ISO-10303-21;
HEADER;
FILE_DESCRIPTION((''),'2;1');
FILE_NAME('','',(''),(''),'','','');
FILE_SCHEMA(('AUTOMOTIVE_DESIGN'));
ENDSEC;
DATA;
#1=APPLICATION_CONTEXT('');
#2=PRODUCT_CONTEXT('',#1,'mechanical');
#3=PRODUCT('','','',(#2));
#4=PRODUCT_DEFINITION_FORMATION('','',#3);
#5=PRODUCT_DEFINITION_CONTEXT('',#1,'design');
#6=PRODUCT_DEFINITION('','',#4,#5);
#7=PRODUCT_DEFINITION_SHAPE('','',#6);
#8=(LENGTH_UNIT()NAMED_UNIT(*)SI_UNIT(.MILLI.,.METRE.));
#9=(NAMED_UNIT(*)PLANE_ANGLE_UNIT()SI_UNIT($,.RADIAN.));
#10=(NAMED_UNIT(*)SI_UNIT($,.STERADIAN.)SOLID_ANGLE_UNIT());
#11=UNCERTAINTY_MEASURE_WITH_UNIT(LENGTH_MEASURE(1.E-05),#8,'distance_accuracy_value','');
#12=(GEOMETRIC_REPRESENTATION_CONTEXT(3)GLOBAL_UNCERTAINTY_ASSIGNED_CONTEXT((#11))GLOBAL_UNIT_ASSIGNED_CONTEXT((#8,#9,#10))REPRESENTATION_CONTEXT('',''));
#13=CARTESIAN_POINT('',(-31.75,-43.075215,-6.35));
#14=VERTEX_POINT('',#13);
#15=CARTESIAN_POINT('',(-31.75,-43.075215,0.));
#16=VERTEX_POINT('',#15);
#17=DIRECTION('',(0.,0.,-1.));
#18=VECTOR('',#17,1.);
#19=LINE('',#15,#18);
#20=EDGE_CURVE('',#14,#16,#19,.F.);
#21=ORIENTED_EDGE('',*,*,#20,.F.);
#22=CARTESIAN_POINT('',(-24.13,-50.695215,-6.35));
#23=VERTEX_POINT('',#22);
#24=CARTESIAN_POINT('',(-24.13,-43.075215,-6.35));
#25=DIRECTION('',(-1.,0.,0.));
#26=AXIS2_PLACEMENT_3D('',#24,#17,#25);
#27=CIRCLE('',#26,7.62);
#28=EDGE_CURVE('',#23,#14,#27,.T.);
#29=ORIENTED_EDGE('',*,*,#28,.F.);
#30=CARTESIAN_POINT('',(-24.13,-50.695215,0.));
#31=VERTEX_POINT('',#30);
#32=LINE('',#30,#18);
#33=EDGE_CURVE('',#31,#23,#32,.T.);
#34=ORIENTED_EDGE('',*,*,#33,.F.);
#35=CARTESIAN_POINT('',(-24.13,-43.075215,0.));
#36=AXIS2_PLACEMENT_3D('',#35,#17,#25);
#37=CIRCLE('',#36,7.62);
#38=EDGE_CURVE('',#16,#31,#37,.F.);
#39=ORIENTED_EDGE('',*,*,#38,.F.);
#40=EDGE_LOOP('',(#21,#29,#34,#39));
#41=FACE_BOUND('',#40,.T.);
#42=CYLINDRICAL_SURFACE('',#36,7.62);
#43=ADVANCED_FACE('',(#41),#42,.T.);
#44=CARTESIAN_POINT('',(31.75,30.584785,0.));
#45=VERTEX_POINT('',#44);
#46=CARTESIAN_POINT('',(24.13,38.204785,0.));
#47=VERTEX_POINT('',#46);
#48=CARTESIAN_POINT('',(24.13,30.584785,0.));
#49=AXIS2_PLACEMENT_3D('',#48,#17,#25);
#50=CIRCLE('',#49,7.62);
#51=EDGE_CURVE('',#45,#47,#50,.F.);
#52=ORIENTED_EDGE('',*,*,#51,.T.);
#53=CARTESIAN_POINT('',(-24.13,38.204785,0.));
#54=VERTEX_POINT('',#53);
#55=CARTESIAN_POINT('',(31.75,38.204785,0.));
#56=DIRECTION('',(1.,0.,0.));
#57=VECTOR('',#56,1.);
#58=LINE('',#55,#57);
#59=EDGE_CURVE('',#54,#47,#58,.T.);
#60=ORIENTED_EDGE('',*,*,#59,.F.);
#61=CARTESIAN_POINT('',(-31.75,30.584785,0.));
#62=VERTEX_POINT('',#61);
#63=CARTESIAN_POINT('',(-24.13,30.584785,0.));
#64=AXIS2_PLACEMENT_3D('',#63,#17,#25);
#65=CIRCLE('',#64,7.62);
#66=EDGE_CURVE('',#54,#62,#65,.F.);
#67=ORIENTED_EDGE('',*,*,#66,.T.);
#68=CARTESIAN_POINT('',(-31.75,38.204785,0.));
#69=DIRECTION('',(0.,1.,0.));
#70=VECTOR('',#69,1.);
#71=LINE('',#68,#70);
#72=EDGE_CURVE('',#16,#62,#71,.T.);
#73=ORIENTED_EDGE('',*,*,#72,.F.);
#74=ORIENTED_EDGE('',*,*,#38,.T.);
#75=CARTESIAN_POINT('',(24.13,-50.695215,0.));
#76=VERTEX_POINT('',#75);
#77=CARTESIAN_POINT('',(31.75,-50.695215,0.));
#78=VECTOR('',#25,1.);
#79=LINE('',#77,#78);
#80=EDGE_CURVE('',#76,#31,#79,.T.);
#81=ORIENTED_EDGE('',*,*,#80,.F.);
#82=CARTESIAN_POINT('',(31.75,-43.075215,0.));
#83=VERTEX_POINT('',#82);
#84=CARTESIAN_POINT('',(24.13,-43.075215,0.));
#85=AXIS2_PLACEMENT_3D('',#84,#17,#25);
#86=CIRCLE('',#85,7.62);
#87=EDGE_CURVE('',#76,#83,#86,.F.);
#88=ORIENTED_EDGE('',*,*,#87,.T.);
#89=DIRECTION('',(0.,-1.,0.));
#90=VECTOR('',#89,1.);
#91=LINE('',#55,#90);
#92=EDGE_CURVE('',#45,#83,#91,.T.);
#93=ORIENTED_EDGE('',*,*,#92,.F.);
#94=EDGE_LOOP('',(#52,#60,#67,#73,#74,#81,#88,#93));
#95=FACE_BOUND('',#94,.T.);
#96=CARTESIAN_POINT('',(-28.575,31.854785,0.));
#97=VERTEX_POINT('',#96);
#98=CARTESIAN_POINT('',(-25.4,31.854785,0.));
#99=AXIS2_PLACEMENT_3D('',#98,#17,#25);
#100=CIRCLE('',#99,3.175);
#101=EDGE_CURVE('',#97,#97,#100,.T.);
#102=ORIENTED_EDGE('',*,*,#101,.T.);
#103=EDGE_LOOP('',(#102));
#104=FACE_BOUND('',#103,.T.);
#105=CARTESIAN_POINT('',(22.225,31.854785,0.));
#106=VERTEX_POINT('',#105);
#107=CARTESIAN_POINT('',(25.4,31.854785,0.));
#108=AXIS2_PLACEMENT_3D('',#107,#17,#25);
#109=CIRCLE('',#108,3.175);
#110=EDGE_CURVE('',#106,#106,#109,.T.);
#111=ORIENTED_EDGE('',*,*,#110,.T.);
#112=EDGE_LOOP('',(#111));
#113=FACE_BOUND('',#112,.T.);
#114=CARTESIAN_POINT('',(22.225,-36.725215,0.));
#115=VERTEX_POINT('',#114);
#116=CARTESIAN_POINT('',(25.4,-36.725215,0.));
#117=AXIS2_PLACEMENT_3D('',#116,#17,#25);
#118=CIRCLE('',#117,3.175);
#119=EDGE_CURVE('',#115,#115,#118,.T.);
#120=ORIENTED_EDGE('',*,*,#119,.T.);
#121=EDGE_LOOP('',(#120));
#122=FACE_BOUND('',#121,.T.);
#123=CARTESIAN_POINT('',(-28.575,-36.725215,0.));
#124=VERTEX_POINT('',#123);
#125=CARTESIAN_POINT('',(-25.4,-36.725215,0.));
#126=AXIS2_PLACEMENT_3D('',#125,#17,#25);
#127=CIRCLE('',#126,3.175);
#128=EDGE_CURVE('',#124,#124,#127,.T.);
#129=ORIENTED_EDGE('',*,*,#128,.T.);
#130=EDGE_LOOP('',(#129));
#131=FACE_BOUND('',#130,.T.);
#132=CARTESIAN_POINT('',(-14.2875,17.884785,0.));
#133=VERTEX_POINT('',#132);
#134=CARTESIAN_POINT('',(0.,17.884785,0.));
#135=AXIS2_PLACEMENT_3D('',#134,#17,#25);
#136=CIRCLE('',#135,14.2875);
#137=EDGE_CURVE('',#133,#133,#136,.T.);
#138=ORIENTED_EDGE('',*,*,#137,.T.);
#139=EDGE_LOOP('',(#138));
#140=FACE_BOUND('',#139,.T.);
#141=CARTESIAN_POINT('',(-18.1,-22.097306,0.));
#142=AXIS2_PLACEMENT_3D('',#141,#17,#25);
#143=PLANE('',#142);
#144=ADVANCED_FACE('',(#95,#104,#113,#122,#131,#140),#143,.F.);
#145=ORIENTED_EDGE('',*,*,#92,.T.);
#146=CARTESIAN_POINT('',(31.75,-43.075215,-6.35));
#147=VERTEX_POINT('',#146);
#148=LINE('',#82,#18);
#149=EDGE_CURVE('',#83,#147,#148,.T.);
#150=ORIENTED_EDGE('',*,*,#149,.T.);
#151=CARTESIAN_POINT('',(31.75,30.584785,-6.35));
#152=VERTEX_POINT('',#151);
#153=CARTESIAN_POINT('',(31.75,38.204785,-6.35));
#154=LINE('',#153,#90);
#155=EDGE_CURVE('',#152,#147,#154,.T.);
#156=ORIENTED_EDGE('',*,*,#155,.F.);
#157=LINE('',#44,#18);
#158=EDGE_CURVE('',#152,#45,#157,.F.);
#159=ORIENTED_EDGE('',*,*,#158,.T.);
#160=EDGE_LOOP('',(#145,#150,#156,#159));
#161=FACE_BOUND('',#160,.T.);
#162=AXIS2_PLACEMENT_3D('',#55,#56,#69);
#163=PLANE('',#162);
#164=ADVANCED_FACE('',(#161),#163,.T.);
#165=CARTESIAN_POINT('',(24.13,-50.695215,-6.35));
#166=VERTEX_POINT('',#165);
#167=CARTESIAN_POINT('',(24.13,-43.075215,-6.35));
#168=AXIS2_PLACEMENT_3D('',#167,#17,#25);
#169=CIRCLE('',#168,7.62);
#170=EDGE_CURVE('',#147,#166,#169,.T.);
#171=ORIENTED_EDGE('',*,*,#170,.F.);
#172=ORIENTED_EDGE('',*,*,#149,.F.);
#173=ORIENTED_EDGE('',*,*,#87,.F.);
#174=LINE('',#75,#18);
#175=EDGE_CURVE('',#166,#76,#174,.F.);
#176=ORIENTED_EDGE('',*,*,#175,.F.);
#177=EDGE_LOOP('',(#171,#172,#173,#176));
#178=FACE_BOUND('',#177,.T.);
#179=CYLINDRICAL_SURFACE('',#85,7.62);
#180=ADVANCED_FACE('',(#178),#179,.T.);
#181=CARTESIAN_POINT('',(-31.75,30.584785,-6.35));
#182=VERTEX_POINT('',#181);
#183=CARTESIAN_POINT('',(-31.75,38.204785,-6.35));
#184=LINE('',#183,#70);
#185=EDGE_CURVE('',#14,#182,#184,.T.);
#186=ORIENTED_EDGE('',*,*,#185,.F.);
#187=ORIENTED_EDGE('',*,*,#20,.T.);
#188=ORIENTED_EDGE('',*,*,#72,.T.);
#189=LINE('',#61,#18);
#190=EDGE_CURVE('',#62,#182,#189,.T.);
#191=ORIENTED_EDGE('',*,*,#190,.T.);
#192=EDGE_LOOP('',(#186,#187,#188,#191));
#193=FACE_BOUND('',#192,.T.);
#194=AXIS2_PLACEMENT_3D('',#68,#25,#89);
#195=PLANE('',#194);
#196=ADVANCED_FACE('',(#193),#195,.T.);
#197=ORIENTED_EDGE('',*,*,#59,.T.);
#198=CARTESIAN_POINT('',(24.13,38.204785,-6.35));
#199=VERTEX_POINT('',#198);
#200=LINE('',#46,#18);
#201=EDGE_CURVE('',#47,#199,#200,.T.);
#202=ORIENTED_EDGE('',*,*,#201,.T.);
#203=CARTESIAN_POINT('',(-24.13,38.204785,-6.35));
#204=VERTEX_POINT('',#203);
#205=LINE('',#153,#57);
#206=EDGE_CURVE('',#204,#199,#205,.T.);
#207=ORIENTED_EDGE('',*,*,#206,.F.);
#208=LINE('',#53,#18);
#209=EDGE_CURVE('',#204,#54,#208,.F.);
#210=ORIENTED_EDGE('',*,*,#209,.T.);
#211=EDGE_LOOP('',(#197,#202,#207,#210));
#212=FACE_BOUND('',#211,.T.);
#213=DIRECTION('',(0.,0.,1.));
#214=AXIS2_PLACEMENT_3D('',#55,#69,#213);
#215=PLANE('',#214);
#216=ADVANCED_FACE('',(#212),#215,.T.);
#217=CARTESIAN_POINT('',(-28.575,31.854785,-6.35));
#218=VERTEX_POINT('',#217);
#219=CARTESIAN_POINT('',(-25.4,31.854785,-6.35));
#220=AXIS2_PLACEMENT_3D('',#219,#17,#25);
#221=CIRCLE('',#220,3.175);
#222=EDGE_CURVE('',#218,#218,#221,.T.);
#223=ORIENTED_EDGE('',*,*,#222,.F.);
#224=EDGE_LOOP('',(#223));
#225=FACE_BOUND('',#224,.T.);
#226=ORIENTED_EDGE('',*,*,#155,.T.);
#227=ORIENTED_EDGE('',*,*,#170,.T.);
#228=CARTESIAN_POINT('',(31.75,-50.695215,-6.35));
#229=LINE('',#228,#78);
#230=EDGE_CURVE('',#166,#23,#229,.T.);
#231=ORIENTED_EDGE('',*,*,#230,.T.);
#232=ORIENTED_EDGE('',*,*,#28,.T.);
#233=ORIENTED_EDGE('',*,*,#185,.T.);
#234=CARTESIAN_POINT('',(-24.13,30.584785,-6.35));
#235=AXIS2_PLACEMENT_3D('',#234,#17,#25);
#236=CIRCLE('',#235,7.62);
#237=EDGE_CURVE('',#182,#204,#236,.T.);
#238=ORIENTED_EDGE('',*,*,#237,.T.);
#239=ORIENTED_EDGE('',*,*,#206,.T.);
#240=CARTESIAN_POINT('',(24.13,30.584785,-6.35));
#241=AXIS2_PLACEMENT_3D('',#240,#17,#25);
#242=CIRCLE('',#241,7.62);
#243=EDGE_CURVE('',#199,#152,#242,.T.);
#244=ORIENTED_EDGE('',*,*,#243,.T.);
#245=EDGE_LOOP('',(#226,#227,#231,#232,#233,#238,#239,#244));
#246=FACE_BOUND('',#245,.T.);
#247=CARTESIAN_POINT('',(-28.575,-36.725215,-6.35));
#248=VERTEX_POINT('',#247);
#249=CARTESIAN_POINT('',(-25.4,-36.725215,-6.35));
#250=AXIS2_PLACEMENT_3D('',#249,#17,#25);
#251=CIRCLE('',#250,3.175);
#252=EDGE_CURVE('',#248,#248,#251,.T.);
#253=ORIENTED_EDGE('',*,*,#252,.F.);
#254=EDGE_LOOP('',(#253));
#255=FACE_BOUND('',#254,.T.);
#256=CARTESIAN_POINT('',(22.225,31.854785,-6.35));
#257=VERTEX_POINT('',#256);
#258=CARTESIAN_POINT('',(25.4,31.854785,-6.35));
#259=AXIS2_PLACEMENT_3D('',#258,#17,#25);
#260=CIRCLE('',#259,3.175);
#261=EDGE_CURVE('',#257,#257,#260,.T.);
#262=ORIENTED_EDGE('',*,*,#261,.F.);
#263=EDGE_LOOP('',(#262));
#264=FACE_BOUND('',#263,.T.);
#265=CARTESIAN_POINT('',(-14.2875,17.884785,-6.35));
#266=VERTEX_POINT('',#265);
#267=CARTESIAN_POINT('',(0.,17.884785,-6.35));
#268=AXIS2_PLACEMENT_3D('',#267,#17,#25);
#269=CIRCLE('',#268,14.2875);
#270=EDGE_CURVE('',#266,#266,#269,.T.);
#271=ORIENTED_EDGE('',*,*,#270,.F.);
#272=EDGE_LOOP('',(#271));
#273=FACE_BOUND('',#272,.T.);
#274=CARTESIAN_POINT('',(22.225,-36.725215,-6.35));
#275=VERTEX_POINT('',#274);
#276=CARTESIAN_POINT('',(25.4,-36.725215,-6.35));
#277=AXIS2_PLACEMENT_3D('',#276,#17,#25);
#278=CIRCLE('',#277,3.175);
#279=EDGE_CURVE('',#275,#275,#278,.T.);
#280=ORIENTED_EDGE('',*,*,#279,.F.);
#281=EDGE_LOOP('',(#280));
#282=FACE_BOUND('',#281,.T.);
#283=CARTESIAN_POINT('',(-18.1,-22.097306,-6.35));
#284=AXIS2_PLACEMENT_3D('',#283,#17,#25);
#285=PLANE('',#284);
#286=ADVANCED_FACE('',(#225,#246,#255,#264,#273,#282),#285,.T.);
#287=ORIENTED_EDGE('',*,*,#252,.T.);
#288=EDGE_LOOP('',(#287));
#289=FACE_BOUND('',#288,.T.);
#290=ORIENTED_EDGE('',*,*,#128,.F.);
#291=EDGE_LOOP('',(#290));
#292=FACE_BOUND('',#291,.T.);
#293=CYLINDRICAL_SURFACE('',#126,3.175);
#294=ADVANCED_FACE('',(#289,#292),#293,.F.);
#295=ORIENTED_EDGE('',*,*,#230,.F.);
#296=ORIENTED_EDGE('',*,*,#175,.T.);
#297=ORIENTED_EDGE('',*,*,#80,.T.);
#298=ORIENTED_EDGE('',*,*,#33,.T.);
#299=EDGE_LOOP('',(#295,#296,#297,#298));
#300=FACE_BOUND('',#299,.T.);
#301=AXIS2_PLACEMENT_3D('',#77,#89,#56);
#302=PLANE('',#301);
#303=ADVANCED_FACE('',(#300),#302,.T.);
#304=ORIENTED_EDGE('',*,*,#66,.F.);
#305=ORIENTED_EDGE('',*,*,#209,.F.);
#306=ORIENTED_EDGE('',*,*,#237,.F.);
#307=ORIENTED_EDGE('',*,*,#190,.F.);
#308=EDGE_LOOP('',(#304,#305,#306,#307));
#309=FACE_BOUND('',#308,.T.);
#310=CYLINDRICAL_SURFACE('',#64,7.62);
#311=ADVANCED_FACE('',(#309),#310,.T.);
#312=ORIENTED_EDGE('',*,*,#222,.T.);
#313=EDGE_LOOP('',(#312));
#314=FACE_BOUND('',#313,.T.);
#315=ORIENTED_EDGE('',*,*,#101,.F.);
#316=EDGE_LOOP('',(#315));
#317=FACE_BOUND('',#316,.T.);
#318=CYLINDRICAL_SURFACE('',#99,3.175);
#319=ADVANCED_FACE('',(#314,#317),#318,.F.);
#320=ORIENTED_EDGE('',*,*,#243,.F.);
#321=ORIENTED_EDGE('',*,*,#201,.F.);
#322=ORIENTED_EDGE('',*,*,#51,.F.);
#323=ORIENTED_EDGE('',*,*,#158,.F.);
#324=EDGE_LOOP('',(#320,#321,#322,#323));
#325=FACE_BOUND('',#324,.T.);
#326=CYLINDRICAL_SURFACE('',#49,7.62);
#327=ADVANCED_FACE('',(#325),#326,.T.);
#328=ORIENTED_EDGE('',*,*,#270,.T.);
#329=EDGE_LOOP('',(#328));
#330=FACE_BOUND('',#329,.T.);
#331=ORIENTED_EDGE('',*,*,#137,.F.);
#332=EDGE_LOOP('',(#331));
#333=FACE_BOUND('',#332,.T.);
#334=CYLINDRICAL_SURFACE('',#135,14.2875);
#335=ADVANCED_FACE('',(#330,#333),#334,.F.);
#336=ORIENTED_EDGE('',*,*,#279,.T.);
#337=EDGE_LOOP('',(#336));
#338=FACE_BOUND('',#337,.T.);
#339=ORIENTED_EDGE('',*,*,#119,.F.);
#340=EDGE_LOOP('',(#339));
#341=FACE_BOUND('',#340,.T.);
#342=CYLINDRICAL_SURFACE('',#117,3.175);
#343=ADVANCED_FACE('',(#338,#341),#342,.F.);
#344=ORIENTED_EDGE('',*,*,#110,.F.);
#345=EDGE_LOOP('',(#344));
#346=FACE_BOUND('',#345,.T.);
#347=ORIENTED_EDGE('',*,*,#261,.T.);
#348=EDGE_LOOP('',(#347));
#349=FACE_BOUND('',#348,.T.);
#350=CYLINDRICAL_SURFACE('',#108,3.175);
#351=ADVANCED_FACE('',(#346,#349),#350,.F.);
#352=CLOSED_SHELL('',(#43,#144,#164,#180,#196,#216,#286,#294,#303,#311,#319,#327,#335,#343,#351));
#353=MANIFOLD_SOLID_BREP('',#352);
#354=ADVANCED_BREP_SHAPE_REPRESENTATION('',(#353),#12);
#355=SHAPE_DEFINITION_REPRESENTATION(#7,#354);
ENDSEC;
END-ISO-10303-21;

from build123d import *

# Parameters (mm, degrees)
BOSS_EXTRUDE1_DEPTH = 6.35
SKETCH2_R           = 1.35
SKETCH2_R_2         = 1.385
CUT_EXTRUDE1_DEPTH  = 38.116505762
SKETCH3_W           = 63.5
SKETCH3_H           = 88.9
SKETCH3_W_2         = 38.321076004
SKETCH3_H_2         = 47.237540142
BOSS_EXTRUDE2_DEPTH = 6.35
SKETCH5_W           = 27.94
SKETCH5_H           = 55.88
CUT_EXTRUDE3_DEPTH  = 61.153053743
SKETCH6_R           = 3.175
CUT_EXTRUDE4_DEPTH  = 61.153053743
FILLET2_R           = 7.62
SKETCH7_W           = 41.724968974
SKETCH7_H           = 57.858351452
BOSS_EXTRUDE3_DEPTH = 6.35
SKETCH8_R           = 14.2875
CUT_EXTRUDE5_DEPTH  = 6.35


with BuildPart() as part:
    # Sketch1 → Boss-Extrude1 (new body)
    with BuildSketch(Plane.XY):
        with BuildLine():
            Line((-19.69889026, 23.2987845), (-14.850045261, 29.75147823))
            ThreePointArc((-14.850045261, 29.75147823), (-14.144755454, 30.339267512), (-13.251155001, 30.55))
            Line((-13.251155001, 30.55), (13.251155001, 30.55))
            ThreePointArc((13.251155001, 30.55), (14.144755454, 30.339267512), (14.850045261, 29.75147823))
            Line((14.850045261, 29.75147823), (19.69889026, 23.2987845))
            ThreePointArc((19.69889026, 23.2987845), (19.997074131, 22.730638521), (20.1, 22.09730627))
            Line((20.1, 22.09730627), (20.1, -22.09730627))
            ThreePointArc((20.1, -22.09730627), (19.997074131, -22.730638521), (19.69889026, -23.2987845))
            Line((19.69889026, -23.2987845), (14.850045261, -29.75147823))
            ThreePointArc((14.850045261, -29.75147823), (14.144755454, -30.339267512), (13.251155001, -30.55))
            Line((13.251155001, -30.55), (-13.251155001, -30.55))
            ThreePointArc((-13.251155001, -30.55), (-14.144755454, -30.339267512), (-14.850045261, -29.75147823))
            Line((-14.850045261, -29.75147823), (-19.69889026, -23.2987845))
            ThreePointArc((-19.69889026, -23.2987845), (-19.997074131, -22.730638521), (-20.1, -22.09730627))
            Line((-20.1, -22.09730627), (-20.1, 22.09730627))
            ThreePointArc((-20.1, 22.09730627), (-19.997074131, 22.730638521), (-19.69889026, 23.2987845))
        make_face()
    extrude(amount=-BOSS_EXTRUDE1_DEPTH)

    # Sketch2 → Cut-Extrude1 (cut, through all)
    with BuildSketch(Plane(origin=(0, 0, -6.35), x_dir=(-1, 0, 0), z_dir=(0, 0, -1))):
        with Locations((17.3, 21.9487845)):
            Circle(SKETCH2_R)
        with Locations((17.3, -0.0512155)):
            Circle(SKETCH2_R)
        with Locations((17.3, -22.0512155)):
            Circle(SKETCH2_R)
        with Locations((11, -27.75)):
            Circle(SKETCH2_R_2)
        with Locations(Location((-11, -27.75, 0), (0, 0, 180))):
            Circle(SKETCH2_R_2)
        with Locations(Location((-17.3, -22.0512155, 0), (0, 0, 180))):
            Circle(SKETCH2_R)
        with Locations(Location((-17.3, -0.0512155, 0), (0, 0, 180))):
            Circle(SKETCH2_R)
        with Locations(Location((-17.3, 21.9487845, 0), (0, 0, 180))):
            Circle(SKETCH2_R)
    extrude(amount=-CUT_EXTRUDE1_DEPTH, mode=Mode.SUBTRACT)

    # Sketch3 → Boss-Extrude2 (add)
    with BuildSketch(Plane(origin=(0, 0, -6.35), x_dir=(-1, 0, 0), z_dir=(0, 0, -1))):
        with Locations((0, -6.2452155)):
            Rectangle(SKETCH3_W, SKETCH3_H)
        Rectangle(SKETCH3_W_2, SKETCH3_H_2, mode=Mode.SUBTRACT)
    extrude(amount=-BOSS_EXTRUDE2_DEPTH)

    # Sketch5 → Cut-Extrude3 (cut, through all)
    with BuildSketch(Plane.XY):
        with Locations((0, 3.0087845)):
            Rectangle(SKETCH5_W, SKETCH5_H)
    extrude(amount=-CUT_EXTRUDE3_DEPTH, mode=Mode.SUBTRACT)

    # Sketch6 → Cut-Extrude4 (cut, through all)
    with BuildSketch(Plane(origin=(0, 0, -6.35), x_dir=(-1, 0, 0), z_dir=(0, 0, -1))):
        with Locations((25.4, 31.8547845)):
            Circle(SKETCH6_R)
        with Locations((-25.4, 31.8547845)):
            Circle(SKETCH6_R)
        with Locations((-25.4, -36.7252155)):
            Circle(SKETCH6_R)
        with Locations((25.4, -36.7252155)):
            Circle(SKETCH6_R)
    extrude(amount=-CUT_EXTRUDE4_DEPTH, mode=Mode.SUBTRACT)

    # Fillet2
    fillet2_edges = [part.edges().sort_by_distance(p)[0] for p in [
        (-31.75, 38.2047845, -3.175),
        (-31.75, -50.6952155, -3.175),
        (31.75, -50.6952155, -3.175),
        (31.75, 38.2047845, -3.175),
    ]]
    fillet(fillet2_edges, radius=FILLET2_R)

    # Sketch7 → Boss-Extrude3 (add)
    with BuildSketch(Plane(origin=(0, 0, -6.35), x_dir=(-1, 0, 0), z_dir=(0, 0, -1))):
        with Locations((0, 3.16744248)):
            Rectangle(SKETCH7_W, SKETCH7_H)
    extrude(amount=-BOSS_EXTRUDE3_DEPTH)

    # Sketch8 → Cut-Extrude5 (cut)
    with BuildSketch(Plane(origin=(0, 0, -6.35), x_dir=(-1, 0, 0), z_dir=(0, 0, -1))):
        with Locations((0, 17.8847845)):
            Circle(SKETCH8_R)
    extrude(amount=-CUT_EXTRUDE5_DEPTH, mode=Mode.SUBTRACT)


solid = part.part
